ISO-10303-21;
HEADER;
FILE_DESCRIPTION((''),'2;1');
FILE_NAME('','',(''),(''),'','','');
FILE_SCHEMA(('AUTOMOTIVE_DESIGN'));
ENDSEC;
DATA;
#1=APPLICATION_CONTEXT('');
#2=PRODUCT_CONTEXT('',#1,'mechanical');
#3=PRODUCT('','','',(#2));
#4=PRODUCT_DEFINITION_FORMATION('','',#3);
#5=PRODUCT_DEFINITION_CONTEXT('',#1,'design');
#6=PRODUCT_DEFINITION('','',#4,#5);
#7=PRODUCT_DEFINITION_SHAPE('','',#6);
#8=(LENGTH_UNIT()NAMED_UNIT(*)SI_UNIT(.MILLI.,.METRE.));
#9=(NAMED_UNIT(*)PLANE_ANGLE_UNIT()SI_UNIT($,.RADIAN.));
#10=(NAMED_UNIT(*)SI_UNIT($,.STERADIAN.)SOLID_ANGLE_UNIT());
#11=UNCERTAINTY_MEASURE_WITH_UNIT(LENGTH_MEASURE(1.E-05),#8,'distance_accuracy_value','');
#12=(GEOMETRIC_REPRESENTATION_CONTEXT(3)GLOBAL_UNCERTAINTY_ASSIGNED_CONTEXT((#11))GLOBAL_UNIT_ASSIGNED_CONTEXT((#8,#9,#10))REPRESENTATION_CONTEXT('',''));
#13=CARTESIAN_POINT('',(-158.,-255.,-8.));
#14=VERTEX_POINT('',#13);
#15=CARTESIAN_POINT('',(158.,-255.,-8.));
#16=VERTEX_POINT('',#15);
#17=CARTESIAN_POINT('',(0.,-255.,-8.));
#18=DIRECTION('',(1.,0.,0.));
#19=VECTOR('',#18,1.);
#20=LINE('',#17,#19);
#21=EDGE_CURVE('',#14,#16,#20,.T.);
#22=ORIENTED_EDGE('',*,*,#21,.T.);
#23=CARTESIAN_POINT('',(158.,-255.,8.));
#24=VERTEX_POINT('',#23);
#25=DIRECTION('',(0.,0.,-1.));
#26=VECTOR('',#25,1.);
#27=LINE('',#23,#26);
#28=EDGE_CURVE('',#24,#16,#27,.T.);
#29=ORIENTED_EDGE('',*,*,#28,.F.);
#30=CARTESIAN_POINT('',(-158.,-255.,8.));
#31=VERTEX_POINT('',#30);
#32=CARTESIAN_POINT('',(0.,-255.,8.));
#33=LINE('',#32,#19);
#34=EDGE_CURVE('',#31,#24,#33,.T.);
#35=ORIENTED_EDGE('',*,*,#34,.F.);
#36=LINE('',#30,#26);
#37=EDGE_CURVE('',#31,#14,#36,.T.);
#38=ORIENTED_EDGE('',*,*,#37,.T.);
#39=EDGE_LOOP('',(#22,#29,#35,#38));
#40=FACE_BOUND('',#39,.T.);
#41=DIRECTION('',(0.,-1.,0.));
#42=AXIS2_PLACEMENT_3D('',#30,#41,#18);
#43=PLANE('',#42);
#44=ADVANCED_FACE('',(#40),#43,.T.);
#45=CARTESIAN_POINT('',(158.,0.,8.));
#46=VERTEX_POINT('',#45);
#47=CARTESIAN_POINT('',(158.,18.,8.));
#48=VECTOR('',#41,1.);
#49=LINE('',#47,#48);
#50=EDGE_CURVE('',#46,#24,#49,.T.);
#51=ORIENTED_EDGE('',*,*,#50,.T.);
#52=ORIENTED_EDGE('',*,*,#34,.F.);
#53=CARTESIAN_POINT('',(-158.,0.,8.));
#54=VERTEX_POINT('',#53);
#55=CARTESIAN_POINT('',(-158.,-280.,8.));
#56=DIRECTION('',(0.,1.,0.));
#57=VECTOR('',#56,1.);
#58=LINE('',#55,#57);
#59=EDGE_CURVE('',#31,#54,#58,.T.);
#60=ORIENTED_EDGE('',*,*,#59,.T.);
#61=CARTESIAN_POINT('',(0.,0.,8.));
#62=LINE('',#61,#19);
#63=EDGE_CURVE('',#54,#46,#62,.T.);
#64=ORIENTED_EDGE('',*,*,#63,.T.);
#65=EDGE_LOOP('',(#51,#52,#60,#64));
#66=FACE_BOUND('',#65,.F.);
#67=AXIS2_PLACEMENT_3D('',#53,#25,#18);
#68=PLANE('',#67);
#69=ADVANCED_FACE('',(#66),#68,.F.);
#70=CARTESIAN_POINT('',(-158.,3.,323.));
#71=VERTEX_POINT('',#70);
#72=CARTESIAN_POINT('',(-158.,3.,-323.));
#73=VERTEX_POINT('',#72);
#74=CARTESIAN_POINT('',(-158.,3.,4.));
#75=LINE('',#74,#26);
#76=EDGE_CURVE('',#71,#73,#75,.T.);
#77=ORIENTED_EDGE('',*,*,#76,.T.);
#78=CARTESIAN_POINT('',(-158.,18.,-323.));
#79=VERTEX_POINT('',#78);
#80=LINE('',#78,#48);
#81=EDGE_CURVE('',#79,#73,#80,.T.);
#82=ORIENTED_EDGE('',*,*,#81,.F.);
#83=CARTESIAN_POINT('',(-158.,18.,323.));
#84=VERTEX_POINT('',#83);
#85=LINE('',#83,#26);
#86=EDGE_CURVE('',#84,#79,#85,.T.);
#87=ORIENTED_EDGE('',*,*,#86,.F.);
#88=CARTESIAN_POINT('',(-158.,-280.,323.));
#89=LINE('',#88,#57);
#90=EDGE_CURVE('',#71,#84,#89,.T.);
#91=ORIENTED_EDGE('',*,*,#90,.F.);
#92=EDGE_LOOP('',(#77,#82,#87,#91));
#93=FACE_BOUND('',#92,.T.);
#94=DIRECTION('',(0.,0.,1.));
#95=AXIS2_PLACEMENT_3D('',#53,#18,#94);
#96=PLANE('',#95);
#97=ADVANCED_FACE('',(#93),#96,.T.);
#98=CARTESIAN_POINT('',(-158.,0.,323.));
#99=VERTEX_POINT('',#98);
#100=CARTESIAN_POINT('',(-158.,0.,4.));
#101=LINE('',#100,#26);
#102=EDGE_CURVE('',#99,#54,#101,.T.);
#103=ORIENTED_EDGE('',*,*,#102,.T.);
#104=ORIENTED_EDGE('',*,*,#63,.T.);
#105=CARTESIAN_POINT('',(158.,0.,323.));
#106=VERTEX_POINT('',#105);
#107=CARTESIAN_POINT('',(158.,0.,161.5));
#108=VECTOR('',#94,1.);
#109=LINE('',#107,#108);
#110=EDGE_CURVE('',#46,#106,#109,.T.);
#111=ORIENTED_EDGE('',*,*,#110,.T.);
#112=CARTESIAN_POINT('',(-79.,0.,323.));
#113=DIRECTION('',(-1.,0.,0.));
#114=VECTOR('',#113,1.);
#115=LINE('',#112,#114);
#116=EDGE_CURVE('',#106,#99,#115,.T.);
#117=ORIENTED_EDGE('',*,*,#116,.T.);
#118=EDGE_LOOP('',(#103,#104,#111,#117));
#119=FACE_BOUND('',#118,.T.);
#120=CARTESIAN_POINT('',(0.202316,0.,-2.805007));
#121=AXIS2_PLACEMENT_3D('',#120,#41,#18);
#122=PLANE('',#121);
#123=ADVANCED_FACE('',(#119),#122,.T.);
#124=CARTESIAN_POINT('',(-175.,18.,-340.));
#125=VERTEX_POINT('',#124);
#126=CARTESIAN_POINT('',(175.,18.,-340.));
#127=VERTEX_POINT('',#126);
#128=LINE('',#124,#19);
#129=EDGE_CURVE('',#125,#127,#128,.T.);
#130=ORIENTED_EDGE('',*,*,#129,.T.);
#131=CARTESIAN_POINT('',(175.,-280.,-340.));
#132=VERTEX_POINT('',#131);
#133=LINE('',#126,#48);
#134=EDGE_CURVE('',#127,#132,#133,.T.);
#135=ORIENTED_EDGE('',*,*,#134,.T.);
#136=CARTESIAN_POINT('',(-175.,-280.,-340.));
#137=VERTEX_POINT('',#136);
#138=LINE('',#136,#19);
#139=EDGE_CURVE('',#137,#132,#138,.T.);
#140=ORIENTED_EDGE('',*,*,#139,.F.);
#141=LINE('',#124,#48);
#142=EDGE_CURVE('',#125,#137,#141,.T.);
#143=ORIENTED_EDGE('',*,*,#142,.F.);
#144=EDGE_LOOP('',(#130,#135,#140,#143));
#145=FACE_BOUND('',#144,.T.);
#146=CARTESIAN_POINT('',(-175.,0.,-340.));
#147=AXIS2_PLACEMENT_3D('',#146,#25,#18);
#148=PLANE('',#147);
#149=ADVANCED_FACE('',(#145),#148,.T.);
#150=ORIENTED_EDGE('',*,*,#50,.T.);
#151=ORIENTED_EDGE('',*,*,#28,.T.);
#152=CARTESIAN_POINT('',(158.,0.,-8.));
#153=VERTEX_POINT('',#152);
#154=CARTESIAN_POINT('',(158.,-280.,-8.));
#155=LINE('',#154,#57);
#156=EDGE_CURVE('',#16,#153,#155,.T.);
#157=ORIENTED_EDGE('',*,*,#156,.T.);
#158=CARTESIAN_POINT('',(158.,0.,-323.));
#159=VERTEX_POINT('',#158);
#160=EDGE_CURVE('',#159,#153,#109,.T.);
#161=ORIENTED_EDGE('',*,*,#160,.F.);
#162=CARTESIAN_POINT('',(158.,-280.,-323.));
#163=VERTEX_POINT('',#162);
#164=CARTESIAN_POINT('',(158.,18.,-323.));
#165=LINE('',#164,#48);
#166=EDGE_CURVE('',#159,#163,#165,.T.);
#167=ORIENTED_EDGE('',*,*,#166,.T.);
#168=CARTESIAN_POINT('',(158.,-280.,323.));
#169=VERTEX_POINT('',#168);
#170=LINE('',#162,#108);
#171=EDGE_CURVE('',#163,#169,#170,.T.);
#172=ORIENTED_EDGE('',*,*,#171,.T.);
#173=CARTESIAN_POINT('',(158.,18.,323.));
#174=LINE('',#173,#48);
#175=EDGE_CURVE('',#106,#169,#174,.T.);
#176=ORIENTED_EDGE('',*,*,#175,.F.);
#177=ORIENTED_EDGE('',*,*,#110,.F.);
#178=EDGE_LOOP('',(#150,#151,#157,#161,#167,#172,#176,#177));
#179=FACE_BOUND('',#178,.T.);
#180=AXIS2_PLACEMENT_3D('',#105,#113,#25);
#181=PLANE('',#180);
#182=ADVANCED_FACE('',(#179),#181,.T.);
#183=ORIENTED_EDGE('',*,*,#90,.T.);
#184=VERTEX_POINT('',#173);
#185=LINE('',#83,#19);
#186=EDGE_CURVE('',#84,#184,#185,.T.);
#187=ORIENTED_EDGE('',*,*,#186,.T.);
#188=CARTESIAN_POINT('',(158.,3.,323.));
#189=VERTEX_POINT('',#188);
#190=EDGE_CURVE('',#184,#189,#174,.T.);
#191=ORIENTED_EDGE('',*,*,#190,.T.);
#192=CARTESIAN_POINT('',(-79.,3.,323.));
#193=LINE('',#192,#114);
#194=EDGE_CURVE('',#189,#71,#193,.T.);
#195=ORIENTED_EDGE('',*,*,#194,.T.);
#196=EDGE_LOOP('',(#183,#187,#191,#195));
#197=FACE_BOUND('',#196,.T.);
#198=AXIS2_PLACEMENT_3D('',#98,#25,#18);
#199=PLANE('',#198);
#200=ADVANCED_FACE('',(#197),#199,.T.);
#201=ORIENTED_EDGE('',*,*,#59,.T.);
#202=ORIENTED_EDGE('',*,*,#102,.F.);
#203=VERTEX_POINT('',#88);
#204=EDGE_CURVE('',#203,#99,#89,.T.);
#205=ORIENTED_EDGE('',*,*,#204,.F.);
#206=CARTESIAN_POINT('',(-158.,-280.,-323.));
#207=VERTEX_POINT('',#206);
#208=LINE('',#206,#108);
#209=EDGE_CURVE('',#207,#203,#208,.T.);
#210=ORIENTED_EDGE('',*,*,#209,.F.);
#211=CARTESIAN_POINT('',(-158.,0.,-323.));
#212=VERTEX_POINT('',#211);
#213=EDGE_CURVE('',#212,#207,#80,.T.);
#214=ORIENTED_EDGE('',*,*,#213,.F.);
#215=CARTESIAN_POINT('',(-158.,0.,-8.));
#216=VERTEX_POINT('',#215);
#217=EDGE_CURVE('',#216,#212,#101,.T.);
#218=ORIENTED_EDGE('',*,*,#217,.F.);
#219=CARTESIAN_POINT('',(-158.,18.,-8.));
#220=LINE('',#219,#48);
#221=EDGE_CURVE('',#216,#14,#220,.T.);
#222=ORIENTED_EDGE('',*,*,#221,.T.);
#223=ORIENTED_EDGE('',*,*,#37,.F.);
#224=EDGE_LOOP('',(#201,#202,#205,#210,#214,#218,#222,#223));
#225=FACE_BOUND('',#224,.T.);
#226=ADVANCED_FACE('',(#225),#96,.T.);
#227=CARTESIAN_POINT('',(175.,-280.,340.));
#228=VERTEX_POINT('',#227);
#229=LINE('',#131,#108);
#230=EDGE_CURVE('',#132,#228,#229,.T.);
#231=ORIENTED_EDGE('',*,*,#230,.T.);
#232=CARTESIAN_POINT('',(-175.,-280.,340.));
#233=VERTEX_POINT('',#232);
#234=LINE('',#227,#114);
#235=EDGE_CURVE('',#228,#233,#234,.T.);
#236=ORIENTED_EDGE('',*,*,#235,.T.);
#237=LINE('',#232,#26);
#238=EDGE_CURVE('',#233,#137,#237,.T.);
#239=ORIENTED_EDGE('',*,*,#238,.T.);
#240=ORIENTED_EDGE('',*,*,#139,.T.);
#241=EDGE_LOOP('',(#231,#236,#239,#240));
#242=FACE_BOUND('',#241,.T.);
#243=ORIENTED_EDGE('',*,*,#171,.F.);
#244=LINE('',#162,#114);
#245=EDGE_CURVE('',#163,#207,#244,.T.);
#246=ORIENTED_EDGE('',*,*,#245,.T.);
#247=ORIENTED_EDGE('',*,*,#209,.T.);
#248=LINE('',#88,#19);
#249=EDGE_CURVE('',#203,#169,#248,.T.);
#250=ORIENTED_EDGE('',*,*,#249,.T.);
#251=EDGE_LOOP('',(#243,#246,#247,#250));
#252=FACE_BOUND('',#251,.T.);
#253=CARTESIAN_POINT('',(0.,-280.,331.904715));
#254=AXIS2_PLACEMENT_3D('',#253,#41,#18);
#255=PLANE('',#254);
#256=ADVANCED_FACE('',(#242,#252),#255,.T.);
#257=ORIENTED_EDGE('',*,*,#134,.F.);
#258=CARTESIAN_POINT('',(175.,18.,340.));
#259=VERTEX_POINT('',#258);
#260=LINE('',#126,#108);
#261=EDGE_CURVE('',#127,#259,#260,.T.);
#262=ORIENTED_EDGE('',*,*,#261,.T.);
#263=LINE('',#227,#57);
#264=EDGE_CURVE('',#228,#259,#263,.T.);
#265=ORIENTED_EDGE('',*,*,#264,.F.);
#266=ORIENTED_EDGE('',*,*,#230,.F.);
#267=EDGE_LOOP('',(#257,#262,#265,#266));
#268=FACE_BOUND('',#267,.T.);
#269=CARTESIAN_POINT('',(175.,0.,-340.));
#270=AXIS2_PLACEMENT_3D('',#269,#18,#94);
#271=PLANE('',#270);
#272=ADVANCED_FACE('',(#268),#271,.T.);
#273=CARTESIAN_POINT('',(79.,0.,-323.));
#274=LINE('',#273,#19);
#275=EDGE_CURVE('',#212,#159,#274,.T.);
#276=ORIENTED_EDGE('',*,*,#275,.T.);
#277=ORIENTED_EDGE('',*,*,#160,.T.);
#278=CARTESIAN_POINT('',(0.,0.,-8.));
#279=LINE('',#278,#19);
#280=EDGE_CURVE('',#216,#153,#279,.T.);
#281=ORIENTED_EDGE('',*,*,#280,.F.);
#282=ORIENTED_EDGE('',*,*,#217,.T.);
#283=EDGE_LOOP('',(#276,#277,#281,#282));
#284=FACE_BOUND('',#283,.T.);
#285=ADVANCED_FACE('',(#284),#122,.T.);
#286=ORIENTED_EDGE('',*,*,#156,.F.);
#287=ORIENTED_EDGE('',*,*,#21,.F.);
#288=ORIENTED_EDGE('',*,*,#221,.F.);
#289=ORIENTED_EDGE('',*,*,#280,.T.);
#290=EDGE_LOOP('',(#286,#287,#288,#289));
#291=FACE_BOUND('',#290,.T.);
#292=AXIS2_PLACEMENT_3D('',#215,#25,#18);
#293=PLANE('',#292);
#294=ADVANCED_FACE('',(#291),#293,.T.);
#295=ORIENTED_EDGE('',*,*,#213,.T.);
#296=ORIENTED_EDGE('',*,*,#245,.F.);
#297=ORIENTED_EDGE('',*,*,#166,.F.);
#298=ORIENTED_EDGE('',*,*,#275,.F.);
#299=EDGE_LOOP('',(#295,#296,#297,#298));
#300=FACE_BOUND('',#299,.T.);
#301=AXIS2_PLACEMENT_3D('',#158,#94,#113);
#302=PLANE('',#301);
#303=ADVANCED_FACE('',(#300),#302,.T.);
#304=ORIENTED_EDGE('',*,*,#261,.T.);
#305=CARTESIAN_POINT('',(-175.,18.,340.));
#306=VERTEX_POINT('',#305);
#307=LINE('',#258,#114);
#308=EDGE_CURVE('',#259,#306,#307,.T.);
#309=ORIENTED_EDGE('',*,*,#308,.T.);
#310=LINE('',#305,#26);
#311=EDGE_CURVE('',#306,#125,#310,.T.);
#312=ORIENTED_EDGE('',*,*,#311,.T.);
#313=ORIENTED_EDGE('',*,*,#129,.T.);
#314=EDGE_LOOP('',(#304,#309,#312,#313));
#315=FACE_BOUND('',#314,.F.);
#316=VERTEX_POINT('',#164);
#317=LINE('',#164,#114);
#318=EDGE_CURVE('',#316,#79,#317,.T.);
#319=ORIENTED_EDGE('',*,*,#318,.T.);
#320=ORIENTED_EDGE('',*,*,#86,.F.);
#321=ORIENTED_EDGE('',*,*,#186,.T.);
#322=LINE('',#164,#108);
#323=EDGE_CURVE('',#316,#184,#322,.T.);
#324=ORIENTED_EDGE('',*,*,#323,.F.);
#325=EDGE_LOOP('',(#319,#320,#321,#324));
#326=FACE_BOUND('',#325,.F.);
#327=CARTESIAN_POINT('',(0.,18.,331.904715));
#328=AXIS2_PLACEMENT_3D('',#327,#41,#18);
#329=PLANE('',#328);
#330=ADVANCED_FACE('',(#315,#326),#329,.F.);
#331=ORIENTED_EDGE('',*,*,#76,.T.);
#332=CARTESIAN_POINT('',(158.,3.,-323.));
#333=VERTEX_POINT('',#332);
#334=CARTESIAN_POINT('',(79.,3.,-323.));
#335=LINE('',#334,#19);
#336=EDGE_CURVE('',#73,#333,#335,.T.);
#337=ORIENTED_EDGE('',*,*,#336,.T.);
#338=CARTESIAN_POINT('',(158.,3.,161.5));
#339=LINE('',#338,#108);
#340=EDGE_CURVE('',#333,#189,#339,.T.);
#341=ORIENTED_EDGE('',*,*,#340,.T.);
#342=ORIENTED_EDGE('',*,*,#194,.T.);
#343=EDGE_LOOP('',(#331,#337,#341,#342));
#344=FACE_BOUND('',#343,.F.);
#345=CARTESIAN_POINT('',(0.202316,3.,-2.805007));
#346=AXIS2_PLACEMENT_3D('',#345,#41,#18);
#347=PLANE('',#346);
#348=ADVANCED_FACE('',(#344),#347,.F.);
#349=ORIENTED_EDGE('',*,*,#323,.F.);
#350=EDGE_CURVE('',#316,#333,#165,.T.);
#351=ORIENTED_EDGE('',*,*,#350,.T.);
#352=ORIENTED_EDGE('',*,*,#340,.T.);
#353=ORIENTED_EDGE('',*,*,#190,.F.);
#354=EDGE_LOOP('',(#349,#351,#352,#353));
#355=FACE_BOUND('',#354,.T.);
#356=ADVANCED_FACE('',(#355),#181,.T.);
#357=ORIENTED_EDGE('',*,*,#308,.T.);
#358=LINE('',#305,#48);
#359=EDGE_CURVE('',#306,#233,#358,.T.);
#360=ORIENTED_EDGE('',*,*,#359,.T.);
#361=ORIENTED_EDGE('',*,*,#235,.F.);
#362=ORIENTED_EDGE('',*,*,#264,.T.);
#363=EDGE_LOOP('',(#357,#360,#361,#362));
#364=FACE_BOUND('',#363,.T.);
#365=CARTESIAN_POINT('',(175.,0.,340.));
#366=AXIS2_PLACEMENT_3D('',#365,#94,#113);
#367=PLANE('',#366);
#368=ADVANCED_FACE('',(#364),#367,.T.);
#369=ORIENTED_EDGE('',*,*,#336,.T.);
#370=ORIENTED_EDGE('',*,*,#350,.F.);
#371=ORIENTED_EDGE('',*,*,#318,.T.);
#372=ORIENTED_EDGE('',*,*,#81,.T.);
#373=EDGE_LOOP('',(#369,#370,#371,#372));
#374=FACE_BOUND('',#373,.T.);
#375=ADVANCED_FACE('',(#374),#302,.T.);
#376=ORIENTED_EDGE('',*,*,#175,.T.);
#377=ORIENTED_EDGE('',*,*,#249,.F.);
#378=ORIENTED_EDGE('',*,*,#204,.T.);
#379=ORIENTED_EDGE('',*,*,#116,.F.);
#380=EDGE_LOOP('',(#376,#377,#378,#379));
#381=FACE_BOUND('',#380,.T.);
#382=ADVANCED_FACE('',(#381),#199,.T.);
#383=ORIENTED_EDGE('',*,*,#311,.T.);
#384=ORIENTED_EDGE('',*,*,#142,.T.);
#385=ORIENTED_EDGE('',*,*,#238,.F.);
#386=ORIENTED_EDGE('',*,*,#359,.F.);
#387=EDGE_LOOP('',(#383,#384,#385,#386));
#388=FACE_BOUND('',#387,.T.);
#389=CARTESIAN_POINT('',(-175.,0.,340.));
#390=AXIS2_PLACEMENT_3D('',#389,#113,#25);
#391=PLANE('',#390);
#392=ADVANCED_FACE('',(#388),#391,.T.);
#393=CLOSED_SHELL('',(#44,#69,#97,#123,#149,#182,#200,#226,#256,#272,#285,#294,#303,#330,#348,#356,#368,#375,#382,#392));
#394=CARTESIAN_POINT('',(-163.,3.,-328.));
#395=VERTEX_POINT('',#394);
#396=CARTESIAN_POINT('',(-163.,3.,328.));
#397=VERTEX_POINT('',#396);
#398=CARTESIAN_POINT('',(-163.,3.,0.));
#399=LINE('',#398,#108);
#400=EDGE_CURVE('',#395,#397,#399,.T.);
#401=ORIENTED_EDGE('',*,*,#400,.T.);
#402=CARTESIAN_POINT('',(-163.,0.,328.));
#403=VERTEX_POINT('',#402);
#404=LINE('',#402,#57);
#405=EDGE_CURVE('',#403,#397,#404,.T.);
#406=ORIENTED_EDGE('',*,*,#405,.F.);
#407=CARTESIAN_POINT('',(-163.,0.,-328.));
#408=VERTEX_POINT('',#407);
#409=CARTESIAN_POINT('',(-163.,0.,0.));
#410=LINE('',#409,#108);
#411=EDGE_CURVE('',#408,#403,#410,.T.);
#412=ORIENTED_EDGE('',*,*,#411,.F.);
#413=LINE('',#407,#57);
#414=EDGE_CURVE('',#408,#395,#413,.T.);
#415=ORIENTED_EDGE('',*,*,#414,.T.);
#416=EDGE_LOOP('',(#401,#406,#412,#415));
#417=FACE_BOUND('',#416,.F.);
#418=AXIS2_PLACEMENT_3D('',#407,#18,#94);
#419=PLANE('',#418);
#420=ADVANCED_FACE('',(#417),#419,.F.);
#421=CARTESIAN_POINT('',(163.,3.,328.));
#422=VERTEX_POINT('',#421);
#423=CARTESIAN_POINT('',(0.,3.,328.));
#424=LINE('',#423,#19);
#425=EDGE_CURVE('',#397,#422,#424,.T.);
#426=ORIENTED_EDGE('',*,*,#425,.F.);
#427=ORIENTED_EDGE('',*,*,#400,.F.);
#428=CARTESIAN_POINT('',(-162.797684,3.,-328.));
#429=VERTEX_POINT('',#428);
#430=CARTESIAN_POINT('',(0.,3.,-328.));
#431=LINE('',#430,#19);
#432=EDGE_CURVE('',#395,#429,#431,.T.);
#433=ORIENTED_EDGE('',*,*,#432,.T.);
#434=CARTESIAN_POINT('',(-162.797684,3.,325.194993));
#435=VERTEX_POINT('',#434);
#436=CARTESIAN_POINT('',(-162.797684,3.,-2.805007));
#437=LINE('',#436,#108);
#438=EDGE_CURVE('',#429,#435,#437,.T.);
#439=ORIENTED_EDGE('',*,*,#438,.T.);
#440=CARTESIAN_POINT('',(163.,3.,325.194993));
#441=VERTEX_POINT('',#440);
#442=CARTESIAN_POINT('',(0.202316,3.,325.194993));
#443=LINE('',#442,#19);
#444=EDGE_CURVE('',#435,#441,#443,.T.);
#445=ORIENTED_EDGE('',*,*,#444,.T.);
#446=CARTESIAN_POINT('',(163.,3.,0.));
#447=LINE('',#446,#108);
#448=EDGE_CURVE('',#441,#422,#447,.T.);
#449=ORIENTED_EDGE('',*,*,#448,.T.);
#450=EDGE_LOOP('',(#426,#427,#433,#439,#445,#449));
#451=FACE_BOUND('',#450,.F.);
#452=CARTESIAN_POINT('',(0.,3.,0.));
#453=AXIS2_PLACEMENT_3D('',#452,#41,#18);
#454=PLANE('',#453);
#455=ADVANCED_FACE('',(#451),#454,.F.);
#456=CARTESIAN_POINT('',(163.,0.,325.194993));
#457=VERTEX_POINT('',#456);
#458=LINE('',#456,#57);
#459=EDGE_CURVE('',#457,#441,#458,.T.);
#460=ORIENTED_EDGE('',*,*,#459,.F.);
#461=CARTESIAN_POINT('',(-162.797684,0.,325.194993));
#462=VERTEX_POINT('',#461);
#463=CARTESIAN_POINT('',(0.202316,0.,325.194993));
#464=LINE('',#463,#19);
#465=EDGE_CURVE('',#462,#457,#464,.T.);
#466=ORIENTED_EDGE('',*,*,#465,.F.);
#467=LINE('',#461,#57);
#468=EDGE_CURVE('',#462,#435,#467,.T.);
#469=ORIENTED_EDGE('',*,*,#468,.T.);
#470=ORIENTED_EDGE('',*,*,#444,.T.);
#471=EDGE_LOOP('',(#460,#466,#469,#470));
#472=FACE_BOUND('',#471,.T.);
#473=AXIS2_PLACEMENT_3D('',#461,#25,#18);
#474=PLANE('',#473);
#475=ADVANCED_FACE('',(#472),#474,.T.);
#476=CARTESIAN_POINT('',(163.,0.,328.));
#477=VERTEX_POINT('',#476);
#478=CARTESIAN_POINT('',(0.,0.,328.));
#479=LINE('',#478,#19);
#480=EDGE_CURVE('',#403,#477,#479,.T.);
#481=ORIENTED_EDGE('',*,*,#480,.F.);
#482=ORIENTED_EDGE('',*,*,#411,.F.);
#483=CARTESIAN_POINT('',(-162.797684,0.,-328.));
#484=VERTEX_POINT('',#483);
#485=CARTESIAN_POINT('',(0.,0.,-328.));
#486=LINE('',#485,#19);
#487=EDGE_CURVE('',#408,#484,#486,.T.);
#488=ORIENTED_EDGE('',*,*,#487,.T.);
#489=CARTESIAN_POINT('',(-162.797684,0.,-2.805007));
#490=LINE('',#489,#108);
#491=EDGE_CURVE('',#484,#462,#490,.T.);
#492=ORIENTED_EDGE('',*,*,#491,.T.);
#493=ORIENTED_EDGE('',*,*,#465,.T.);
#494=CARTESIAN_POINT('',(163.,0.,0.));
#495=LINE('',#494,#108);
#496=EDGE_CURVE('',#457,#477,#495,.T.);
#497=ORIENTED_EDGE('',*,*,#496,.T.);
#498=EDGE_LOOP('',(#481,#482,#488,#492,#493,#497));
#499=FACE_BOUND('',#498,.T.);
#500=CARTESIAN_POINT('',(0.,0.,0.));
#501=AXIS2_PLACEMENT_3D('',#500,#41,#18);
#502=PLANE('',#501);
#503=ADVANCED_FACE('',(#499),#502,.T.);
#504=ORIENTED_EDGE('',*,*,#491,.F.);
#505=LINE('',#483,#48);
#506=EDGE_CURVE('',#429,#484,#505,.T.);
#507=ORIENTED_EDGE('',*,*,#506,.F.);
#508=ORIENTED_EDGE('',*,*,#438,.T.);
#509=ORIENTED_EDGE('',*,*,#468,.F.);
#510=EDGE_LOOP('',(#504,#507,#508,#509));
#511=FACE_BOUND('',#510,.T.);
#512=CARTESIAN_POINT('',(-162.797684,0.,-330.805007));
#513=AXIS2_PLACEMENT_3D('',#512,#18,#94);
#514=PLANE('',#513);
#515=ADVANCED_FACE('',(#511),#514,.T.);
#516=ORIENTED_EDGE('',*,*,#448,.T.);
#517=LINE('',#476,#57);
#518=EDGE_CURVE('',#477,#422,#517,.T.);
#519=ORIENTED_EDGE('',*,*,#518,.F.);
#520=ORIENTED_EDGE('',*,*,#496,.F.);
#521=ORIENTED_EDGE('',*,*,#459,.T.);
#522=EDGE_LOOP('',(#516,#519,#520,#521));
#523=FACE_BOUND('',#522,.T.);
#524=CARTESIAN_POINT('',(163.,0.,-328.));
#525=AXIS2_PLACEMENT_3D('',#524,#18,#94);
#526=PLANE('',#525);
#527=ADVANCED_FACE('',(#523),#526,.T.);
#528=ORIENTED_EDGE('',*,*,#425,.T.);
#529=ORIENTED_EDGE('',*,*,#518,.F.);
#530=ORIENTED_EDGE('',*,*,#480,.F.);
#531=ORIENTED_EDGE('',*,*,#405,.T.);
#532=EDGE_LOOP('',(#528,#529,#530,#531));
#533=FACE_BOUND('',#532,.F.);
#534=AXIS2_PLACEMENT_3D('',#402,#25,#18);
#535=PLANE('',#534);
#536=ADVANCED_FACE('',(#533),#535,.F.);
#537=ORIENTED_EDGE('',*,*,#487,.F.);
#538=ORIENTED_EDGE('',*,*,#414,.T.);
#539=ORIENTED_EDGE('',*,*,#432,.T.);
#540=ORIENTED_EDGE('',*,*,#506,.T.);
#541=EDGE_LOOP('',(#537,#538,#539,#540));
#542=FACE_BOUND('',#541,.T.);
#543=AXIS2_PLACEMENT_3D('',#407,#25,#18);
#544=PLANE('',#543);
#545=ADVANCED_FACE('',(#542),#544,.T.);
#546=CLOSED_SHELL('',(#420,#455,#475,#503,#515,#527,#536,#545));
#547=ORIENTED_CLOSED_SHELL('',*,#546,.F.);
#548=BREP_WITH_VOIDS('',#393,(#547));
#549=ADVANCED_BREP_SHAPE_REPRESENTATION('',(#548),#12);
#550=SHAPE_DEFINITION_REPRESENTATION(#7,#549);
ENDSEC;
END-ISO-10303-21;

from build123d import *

# Parameters (mm, degrees)
F0_W          = 316
F0_H          = 16
F1_DEPTH      = 280
F1_DEPTH_BACK = 18
F2_W          = 316
F2_H          = 25
F3_DEPTH      = 16
F4_W          = 316
F4_H          = 18
F5_DEPTH      = 16
F6_W          = 326
F6_H          = 656
F7_DEPTH      = 3
F8_W          = 326
F8_H          = 656
F9_DEPTH      = 3


with BuildPart() as f1:
    # F0 (on Front) → F1 (new body, two sides)
    with BuildSketch(Plane.XZ) as f1_sk:
        Polygon((0, 340), (-175, 340), (-158, 323), (0, 323), (158, 323), (175, 340), align=None)
        Polygon((-158, -323), (-175, -340), (0, -340), (175, -340), (158, -323), (0, -323), align=None)
        Polygon((-158, 323), (-175, 340), (-175, -340), (-158, -323), (-158, -8), (-158, 8), align=None)
        Polygon((175, -340), (175, 340), (158, 323), (158, 8), (158, -8), (158, -323), align=None)
        Rectangle(F0_W, F0_H)
    extrude(amount=F1_DEPTH)
    extrude(f1_sk.sketch, amount=-F1_DEPTH_BACK)

    # F2 (on face) → F3 (cut)
    with BuildSketch(Plane.XY.offset(8)):
        with Locations((0, -267.5)):
            Rectangle(F2_W, F2_H)
    extrude(amount=-F3_DEPTH, mode=Mode.SUBTRACT)

    # F4 (on face) → F5 (cut)
    with BuildSketch(Plane(origin=(0, 0, -8), x_dir=(1, 0, 0), z_dir=(0, 0, -1))):
        with Locations((0, -9)):
            Rectangle(F4_W, F4_H)
    extrude(amount=-F5_DEPTH, mode=Mode.SUBTRACT)

    # F6 (on Front) → F7 (cut)
    with BuildSketch(Plane.XZ):
        Rectangle(F6_W, F6_H)
    extrude(amount=-F7_DEPTH, mode=Mode.SUBTRACT)

    # F8 (on Front) → F9 (join)
    with BuildSketch(Plane.XZ):
        with Locations((0.202316, -2.805007)):
            Rectangle(F8_W, F8_H)
    extrude(amount=-F9_DEPTH)


solid = f1.part
